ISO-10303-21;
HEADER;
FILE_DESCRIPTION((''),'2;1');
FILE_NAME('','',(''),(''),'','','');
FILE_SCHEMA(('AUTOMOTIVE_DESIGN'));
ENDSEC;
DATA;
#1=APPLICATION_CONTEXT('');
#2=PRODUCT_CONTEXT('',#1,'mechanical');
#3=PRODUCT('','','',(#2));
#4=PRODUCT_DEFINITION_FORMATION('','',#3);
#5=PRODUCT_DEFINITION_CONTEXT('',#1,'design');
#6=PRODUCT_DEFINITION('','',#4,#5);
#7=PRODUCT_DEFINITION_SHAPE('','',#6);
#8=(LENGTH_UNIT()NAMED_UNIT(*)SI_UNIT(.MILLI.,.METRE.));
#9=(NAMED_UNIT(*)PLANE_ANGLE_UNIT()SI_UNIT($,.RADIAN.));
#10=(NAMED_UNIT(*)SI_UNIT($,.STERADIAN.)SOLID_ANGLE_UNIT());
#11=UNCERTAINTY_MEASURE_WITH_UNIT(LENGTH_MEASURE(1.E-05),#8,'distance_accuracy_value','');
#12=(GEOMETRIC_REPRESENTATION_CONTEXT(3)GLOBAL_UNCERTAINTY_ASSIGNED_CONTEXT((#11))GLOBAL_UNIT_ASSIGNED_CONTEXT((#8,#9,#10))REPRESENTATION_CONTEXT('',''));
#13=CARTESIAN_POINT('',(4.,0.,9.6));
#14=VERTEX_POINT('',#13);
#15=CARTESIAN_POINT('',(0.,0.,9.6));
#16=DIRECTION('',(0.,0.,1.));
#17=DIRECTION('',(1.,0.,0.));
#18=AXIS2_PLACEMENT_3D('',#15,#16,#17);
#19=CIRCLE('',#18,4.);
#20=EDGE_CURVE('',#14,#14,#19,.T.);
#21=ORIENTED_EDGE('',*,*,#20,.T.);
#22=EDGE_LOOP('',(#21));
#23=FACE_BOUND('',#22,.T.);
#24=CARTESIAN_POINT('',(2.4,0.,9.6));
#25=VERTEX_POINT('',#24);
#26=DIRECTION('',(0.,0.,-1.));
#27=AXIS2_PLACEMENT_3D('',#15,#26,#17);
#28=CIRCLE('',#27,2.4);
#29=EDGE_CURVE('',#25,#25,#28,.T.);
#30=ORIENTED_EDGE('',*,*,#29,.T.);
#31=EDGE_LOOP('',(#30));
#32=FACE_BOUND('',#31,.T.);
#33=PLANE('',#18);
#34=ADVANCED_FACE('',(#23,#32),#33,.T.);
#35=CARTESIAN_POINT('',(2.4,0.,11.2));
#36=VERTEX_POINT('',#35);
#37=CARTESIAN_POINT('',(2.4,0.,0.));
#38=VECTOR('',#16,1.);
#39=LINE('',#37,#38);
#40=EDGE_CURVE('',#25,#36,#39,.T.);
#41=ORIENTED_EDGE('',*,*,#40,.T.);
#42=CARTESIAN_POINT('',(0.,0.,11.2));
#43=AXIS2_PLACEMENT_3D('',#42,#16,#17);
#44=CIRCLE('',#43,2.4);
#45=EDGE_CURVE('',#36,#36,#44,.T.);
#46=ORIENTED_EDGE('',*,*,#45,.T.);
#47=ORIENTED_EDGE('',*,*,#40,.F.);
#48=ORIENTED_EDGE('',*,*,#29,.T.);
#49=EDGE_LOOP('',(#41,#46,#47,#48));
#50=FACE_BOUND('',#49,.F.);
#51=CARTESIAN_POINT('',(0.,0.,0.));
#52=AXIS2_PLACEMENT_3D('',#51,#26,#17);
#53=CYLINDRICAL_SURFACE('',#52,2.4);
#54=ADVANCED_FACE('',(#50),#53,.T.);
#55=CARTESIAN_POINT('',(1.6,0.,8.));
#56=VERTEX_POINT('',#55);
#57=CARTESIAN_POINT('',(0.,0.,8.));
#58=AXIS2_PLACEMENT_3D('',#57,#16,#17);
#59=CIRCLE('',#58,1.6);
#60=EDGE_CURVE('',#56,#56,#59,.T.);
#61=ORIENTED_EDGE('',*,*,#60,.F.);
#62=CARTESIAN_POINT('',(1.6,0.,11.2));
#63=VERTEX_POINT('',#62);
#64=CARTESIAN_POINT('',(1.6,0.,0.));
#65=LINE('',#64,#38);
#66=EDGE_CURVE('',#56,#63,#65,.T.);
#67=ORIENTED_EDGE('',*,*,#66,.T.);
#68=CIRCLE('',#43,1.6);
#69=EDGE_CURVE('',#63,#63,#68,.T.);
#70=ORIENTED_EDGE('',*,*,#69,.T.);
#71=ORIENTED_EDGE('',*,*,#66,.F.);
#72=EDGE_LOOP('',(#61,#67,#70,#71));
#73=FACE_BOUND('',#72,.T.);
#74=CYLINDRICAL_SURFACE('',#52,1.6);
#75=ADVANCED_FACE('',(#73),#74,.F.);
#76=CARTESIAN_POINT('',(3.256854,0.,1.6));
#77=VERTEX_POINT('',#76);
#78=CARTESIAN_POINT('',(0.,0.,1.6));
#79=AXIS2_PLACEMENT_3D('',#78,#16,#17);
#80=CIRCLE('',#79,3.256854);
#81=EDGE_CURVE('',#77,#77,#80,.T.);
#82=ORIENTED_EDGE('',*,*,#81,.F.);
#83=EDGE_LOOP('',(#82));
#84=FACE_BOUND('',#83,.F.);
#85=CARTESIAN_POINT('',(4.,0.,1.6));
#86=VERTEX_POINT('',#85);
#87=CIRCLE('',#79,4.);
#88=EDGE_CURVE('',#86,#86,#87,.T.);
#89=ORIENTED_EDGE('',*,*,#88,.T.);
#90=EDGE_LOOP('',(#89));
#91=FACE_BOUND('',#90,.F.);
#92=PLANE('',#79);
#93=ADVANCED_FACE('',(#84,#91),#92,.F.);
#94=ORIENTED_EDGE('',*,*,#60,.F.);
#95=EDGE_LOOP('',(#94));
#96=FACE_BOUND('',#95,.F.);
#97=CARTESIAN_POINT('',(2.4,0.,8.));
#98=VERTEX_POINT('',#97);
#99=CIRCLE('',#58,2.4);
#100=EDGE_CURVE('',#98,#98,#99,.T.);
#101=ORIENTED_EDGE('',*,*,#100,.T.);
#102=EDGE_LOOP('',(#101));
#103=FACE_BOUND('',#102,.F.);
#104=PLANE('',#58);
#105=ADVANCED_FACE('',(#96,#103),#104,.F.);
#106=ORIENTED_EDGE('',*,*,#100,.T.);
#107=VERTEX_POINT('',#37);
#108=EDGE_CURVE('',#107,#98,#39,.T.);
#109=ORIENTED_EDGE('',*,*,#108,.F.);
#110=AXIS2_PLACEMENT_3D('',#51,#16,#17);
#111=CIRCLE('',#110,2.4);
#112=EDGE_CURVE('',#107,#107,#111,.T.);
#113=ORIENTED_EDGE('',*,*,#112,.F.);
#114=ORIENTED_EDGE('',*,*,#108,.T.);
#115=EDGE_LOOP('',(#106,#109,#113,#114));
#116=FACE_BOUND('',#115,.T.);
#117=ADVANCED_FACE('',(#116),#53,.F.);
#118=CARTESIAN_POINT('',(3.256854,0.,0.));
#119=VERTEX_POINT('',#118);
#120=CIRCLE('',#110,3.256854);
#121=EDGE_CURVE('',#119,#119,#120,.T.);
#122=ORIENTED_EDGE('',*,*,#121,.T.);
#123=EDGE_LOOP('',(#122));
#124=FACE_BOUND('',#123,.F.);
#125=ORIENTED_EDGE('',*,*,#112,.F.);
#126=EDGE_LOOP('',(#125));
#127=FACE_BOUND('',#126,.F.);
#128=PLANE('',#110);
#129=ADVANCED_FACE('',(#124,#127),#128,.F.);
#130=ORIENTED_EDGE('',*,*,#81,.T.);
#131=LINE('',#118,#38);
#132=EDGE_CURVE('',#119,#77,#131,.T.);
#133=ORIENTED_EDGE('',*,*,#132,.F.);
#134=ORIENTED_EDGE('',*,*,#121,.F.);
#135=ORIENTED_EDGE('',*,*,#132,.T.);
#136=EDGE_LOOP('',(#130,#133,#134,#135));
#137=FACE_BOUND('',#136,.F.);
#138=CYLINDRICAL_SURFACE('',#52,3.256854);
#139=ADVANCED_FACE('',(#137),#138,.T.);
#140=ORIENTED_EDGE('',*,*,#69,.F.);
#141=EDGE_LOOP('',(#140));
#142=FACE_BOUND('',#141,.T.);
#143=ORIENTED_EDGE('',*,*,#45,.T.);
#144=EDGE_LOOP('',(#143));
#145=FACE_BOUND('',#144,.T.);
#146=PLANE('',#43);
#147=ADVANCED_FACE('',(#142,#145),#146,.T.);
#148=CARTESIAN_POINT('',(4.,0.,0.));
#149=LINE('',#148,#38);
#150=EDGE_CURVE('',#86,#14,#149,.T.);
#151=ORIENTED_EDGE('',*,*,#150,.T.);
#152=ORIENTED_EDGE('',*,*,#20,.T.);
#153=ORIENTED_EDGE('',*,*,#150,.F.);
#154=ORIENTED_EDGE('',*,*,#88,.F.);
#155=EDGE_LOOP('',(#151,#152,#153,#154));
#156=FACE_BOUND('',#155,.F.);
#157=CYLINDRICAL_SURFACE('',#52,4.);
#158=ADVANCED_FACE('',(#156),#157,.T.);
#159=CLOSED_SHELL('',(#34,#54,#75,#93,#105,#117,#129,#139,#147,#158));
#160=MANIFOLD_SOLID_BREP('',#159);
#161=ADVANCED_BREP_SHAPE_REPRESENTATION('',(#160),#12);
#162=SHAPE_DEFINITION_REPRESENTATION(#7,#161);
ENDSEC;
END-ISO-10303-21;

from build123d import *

# Parameters (mm, degrees)
F0_R     = 4
F0_R_2   = 2.4
F0_R_3   = 1.6
F1_DEPTH = 9.6
F2_DEPTH = 11.2
F3_DEPTH = 8
F4_R     = 4
F4_R_2   = 3.2568542495
F5_DEPTH = 1.5999999596


with BuildPart() as f1:
    # F0 (on Top) → F1 (new body)
    with BuildSketch(Plane.XY):
        Circle(F0_R)
        Circle(F0_R_2, mode=Mode.SUBTRACT)
        Circle(F0_R_2)
        Circle(F0_R_3, mode=Mode.SUBTRACT)
    extrude(amount=F1_DEPTH)

    # F0 (on Top) → F2 (join)
    with BuildSketch(Plane.XY):
        Circle(F0_R_2)
        Circle(F0_R_3, mode=Mode.SUBTRACT)
    extrude(amount=F2_DEPTH)

    # F0 (on Top) → F3 (cut, through all)
    with BuildSketch(Plane.XY):
        Circle(F0_R_2)
        Circle(F0_R_3, mode=Mode.SUBTRACT)
    extrude(amount=F3_DEPTH, mode=Mode.SUBTRACT)

    # F4 (on Top) → F5 (cut)
    with BuildSketch(Plane.XY):
        Circle(F4_R)
        Circle(F4_R_2, mode=Mode.SUBTRACT)
    extrude(amount=F5_DEPTH, mode=Mode.SUBTRACT)


solid = f1.part
